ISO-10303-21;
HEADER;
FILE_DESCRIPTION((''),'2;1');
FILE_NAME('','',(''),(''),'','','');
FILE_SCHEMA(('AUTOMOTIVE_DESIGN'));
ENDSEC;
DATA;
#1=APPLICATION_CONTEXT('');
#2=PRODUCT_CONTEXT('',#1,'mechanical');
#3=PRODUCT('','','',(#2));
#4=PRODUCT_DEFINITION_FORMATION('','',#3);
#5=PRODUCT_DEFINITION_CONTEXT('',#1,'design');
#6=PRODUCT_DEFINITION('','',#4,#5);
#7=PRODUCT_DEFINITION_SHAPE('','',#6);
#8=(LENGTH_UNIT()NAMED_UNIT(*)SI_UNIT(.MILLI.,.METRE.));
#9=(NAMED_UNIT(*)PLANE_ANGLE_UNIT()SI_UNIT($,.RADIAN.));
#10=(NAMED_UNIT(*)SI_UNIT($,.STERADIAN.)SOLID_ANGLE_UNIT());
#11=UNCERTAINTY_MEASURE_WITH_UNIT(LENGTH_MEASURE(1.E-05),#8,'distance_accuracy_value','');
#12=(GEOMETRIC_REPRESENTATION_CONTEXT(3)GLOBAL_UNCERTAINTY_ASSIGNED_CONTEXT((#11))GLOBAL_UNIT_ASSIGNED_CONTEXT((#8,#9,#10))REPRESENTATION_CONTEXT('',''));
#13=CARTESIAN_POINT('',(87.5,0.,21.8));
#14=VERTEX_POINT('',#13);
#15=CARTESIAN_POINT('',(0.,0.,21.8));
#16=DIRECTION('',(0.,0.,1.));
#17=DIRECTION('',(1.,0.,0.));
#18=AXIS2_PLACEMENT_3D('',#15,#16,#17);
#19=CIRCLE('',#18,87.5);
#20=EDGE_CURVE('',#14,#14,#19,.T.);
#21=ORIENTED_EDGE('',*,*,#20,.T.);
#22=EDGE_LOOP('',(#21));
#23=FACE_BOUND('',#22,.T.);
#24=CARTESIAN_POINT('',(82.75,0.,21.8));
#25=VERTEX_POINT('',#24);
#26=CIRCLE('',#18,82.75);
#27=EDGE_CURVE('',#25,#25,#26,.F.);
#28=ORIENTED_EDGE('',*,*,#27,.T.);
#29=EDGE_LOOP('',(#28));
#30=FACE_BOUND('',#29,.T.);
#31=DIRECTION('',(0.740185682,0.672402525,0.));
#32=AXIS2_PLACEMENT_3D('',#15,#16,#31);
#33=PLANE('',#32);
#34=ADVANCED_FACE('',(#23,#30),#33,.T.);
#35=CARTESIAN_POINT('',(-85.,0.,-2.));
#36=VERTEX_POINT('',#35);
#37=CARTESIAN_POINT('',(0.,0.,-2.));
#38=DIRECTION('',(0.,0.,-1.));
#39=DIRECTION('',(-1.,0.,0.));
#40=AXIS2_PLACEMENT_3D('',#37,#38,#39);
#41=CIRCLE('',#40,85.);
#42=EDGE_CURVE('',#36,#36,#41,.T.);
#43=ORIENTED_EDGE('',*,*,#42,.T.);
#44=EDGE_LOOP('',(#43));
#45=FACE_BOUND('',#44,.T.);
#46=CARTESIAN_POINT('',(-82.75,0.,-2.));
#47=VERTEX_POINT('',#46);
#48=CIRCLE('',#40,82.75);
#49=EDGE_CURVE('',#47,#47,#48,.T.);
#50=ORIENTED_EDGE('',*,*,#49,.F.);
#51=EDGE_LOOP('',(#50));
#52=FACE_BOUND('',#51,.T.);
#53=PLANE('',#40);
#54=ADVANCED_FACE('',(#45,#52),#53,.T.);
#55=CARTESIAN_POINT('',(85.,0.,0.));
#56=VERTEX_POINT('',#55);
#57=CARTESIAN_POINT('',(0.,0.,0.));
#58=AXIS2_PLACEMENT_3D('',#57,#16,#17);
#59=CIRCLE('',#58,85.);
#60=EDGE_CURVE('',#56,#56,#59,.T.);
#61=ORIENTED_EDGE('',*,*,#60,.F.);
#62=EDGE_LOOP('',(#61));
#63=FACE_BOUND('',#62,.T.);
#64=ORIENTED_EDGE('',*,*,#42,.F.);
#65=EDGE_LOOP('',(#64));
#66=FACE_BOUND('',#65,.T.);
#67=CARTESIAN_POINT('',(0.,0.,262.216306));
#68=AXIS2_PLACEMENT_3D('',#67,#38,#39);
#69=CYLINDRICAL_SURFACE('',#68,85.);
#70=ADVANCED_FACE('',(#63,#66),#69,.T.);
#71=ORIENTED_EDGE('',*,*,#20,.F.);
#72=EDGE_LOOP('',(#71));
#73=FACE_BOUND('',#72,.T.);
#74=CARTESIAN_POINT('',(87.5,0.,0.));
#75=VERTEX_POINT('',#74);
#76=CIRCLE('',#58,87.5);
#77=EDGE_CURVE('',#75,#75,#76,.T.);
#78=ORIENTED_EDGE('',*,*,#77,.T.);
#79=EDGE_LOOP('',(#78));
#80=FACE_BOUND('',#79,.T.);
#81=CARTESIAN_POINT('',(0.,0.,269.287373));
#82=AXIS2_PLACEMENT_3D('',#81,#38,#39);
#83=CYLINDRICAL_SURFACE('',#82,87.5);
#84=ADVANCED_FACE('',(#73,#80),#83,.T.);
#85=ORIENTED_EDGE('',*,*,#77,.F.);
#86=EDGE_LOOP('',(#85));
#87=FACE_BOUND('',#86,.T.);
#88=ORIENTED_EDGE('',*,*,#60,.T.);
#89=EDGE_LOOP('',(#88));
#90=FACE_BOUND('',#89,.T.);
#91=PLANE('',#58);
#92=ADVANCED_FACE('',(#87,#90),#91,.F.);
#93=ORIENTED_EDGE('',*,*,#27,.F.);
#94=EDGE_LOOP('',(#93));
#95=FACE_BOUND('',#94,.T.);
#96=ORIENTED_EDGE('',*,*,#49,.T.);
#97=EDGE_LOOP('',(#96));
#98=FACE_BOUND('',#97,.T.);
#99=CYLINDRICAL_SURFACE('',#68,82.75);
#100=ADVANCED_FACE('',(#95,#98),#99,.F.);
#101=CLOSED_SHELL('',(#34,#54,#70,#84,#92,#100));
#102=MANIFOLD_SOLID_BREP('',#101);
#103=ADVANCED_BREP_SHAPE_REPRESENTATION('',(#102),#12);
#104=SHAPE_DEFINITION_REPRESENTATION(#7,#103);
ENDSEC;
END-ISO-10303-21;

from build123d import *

# Parameters (mm, degrees)
SKETCH1_R                       = 87.5
SKETCH1_R_2                     = 83.75
BOSS_EXTRUDE1_DEPTH             = 21.8
SKETCH2_R                       = 85
SKETCH2_R_2                     = 82.75
BOSS_EXTRUDE2_DEPTH             = 2
BOSS_EXTRUDE2_DIRECTION_2_REACH = 127.649


with BuildPart() as part:
    # Sketch1 → Boss-Extrude1 (new body)
    with BuildSketch(Plane.XY):
        Circle(SKETCH1_R)
        Circle(SKETCH1_R_2, mode=Mode.SUBTRACT)
    extrude(amount=BOSS_EXTRUDE1_DEPTH)

    # Sketch2 → Boss-Extrude2 (add)
    with BuildSketch(Plane(origin=(0, 0, 0), x_dir=(-1, 0, 0), z_dir=(0, 0, -1))):
        Circle(SKETCH2_R)
        Circle(SKETCH2_R_2, mode=Mode.SUBTRACT)
    extrude(amount=BOSS_EXTRUDE2_DEPTH)

    # Boss-Extrude2 direction 2: up to this face of the body (flat: up to its plane)
    boss_extrude2_direction_2_end = Plane(part.part.faces().sort_by_distance((-85.025126266, 0, 21.8))[0])
    # Sketch2 → Boss-Extrude2 direction 2 (add, up to the picked face)
    with BuildSketch(Plane(origin=(0, 0, 0), x_dir=(-1, 0, 0), z_dir=(0, 0, -1)), mode=Mode.PRIVATE) as boss_extrude2_direction_2_sk1:
        Circle(SKETCH2_R)
        Circle(SKETCH2_R_2, mode=Mode.SUBTRACT)
    boss_extrude2_direction_2_tool1 = split(extrude(boss_extrude2_direction_2_sk1.sketch, amount=-BOSS_EXTRUDE2_DIRECTION_2_REACH, mode=Mode.PRIVATE), bisect_by=boss_extrude2_direction_2_end, keep=Keep.BOTH, mode=Mode.PRIVATE)
    add(boss_extrude2_direction_2_tool1.solids().sort_by(Axis((84.759584, 0, 0), (0, 0, 1)))[0])


solid = part.part
